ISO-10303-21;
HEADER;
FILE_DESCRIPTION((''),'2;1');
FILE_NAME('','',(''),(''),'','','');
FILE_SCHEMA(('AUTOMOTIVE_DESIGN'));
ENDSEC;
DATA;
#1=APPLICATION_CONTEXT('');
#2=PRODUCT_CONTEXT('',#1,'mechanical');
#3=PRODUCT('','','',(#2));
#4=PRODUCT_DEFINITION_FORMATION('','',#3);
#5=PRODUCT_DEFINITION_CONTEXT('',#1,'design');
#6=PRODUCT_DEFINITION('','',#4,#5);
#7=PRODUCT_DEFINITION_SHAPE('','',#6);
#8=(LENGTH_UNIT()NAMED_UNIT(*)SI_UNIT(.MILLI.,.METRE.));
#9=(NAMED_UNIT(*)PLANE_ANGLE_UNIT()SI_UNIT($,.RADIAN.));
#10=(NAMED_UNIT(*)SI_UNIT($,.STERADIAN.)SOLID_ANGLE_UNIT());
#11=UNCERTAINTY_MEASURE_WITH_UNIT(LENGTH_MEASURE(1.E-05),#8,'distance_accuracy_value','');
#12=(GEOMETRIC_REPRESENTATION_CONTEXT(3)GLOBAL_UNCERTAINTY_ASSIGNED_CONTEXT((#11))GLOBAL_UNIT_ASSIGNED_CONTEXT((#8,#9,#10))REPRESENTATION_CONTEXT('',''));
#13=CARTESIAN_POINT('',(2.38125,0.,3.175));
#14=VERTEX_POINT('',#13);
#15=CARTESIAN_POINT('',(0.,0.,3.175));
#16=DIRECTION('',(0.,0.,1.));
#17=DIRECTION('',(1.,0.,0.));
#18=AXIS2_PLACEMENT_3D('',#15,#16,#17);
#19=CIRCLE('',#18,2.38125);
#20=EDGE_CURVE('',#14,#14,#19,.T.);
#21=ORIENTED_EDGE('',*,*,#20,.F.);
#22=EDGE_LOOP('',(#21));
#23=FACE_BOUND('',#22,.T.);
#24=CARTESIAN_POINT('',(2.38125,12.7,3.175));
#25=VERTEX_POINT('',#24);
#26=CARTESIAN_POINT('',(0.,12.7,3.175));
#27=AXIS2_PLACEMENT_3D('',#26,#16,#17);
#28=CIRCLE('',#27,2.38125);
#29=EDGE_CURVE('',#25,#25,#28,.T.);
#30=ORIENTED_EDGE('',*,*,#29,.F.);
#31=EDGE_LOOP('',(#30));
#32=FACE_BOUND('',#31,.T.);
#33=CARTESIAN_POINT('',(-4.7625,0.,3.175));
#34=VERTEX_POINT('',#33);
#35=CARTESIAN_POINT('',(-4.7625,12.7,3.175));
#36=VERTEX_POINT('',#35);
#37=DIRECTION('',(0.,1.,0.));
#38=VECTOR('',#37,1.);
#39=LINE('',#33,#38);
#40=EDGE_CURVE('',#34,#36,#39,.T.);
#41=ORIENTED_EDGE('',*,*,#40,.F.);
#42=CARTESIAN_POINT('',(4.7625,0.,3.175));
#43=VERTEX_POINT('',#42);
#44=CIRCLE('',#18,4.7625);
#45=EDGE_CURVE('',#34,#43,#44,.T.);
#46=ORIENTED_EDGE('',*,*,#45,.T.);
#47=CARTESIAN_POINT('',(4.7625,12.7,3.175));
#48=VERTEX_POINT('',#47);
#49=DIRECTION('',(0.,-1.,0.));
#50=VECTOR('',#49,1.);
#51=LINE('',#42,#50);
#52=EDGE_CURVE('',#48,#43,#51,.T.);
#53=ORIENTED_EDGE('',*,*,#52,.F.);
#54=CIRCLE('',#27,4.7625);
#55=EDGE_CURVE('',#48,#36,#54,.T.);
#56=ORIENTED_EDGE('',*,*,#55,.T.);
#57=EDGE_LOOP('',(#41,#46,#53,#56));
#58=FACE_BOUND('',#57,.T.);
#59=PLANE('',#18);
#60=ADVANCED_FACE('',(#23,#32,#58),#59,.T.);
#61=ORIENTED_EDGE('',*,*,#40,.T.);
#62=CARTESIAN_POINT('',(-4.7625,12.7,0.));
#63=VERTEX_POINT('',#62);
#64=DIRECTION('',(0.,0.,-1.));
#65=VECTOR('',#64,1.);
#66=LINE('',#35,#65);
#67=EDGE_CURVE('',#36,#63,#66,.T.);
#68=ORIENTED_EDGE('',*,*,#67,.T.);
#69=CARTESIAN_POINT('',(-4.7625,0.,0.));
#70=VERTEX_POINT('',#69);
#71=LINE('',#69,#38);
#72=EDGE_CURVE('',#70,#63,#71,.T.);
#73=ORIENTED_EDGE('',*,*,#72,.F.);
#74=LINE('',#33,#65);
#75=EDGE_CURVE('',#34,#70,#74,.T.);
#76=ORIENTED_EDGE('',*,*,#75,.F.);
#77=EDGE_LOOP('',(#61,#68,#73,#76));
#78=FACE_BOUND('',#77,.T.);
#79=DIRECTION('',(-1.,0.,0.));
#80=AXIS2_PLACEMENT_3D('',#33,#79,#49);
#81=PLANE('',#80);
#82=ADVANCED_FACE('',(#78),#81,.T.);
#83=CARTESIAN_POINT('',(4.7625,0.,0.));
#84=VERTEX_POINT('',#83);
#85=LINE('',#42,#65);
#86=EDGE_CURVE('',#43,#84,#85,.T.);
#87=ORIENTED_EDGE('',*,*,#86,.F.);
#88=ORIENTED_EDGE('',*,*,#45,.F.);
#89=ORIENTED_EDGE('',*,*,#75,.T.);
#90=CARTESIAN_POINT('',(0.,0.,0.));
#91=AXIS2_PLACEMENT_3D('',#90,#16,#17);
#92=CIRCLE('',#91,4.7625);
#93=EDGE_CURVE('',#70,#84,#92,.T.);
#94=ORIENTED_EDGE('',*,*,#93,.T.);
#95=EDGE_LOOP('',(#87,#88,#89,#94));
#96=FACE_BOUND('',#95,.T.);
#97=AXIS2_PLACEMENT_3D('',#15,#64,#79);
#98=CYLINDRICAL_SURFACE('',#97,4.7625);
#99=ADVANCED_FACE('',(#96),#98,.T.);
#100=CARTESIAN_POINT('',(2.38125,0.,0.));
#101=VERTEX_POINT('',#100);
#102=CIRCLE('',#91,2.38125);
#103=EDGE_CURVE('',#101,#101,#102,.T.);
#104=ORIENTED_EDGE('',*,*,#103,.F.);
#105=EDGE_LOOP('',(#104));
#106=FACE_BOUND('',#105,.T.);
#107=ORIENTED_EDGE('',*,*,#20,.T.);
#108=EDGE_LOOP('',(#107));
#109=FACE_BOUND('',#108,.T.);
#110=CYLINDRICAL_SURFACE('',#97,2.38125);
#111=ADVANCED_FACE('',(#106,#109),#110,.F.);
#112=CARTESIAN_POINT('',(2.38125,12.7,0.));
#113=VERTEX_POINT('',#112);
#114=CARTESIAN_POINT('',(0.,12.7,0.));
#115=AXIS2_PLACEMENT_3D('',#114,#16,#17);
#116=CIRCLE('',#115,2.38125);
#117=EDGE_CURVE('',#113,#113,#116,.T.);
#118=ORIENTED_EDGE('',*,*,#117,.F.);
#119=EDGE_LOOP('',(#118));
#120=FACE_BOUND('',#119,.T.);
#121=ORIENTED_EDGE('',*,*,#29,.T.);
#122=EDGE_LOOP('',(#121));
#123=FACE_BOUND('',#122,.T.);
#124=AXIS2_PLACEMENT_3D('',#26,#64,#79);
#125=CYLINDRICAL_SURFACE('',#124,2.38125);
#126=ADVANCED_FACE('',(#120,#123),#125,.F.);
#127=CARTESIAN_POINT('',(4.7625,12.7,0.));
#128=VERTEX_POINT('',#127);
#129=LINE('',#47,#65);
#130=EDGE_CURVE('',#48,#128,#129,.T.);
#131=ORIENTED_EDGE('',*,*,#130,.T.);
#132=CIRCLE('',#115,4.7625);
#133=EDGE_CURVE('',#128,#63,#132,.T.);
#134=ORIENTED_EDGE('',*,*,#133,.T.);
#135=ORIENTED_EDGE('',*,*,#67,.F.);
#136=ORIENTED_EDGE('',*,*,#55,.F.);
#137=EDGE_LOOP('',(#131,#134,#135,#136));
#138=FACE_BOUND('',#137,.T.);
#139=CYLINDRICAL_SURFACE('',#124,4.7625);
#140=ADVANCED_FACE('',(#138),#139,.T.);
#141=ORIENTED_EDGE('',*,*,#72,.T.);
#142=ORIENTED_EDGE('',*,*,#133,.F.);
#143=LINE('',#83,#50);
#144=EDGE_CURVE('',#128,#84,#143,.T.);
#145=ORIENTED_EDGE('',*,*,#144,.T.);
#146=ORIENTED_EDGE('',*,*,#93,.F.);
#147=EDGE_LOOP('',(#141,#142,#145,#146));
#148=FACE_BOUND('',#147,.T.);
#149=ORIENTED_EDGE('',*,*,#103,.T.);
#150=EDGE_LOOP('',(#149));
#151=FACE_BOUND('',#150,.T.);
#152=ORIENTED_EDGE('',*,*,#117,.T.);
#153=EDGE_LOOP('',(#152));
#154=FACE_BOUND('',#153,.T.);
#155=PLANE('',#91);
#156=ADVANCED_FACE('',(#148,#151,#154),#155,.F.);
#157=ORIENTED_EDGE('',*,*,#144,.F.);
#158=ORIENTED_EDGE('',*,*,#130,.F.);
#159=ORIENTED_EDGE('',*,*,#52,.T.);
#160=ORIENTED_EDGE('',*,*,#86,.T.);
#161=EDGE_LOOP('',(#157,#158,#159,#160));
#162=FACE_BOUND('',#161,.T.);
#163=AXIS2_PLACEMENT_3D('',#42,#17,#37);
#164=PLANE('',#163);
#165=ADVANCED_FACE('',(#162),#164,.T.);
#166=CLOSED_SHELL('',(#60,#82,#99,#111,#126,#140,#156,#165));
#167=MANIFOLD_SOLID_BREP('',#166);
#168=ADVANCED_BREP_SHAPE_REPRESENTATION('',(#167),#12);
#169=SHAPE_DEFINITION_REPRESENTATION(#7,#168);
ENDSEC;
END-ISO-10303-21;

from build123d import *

# Parameters (mm, degrees)
SKETCH1_R           = 4.7625
SKETCH1_R_2         = 2.38125
BOSS_EXTRUDE1_DEPTH = 3.175


with BuildPart() as part:
    # Sketch1 → Boss-Extrude1 (new body)
    # profile 1 of 3: a face of its own
    with BuildSketch(Plane.XY):
        with BuildLine():
            Line((-4.7625, 12.7), (-4.7625, 0))
            ThreePointArc((-4.7625, 0), (0, 4.7625), (4.7625, 0))
            Line((4.7625, 0), (4.7625, 12.7))
            ThreePointArc((4.7625, 12.7), (0, 7.9375), (-4.7625, 12.7))
        make_face()
    # profile 2 of 3: a face of its own
    with BuildSketch(Plane.XY):
        with Locations((0, 12.7)):
            Circle(SKETCH1_R)
        with Locations((0, 12.7)):
            Circle(SKETCH1_R_2, mode=Mode.SUBTRACT)
    # profile 3 of 3: a face of its own
    with BuildSketch(Plane.XY):
        Circle(SKETCH1_R)
        Circle(SKETCH1_R_2, mode=Mode.SUBTRACT)
    extrude(amount=BOSS_EXTRUDE1_DEPTH)


solid = part.part
